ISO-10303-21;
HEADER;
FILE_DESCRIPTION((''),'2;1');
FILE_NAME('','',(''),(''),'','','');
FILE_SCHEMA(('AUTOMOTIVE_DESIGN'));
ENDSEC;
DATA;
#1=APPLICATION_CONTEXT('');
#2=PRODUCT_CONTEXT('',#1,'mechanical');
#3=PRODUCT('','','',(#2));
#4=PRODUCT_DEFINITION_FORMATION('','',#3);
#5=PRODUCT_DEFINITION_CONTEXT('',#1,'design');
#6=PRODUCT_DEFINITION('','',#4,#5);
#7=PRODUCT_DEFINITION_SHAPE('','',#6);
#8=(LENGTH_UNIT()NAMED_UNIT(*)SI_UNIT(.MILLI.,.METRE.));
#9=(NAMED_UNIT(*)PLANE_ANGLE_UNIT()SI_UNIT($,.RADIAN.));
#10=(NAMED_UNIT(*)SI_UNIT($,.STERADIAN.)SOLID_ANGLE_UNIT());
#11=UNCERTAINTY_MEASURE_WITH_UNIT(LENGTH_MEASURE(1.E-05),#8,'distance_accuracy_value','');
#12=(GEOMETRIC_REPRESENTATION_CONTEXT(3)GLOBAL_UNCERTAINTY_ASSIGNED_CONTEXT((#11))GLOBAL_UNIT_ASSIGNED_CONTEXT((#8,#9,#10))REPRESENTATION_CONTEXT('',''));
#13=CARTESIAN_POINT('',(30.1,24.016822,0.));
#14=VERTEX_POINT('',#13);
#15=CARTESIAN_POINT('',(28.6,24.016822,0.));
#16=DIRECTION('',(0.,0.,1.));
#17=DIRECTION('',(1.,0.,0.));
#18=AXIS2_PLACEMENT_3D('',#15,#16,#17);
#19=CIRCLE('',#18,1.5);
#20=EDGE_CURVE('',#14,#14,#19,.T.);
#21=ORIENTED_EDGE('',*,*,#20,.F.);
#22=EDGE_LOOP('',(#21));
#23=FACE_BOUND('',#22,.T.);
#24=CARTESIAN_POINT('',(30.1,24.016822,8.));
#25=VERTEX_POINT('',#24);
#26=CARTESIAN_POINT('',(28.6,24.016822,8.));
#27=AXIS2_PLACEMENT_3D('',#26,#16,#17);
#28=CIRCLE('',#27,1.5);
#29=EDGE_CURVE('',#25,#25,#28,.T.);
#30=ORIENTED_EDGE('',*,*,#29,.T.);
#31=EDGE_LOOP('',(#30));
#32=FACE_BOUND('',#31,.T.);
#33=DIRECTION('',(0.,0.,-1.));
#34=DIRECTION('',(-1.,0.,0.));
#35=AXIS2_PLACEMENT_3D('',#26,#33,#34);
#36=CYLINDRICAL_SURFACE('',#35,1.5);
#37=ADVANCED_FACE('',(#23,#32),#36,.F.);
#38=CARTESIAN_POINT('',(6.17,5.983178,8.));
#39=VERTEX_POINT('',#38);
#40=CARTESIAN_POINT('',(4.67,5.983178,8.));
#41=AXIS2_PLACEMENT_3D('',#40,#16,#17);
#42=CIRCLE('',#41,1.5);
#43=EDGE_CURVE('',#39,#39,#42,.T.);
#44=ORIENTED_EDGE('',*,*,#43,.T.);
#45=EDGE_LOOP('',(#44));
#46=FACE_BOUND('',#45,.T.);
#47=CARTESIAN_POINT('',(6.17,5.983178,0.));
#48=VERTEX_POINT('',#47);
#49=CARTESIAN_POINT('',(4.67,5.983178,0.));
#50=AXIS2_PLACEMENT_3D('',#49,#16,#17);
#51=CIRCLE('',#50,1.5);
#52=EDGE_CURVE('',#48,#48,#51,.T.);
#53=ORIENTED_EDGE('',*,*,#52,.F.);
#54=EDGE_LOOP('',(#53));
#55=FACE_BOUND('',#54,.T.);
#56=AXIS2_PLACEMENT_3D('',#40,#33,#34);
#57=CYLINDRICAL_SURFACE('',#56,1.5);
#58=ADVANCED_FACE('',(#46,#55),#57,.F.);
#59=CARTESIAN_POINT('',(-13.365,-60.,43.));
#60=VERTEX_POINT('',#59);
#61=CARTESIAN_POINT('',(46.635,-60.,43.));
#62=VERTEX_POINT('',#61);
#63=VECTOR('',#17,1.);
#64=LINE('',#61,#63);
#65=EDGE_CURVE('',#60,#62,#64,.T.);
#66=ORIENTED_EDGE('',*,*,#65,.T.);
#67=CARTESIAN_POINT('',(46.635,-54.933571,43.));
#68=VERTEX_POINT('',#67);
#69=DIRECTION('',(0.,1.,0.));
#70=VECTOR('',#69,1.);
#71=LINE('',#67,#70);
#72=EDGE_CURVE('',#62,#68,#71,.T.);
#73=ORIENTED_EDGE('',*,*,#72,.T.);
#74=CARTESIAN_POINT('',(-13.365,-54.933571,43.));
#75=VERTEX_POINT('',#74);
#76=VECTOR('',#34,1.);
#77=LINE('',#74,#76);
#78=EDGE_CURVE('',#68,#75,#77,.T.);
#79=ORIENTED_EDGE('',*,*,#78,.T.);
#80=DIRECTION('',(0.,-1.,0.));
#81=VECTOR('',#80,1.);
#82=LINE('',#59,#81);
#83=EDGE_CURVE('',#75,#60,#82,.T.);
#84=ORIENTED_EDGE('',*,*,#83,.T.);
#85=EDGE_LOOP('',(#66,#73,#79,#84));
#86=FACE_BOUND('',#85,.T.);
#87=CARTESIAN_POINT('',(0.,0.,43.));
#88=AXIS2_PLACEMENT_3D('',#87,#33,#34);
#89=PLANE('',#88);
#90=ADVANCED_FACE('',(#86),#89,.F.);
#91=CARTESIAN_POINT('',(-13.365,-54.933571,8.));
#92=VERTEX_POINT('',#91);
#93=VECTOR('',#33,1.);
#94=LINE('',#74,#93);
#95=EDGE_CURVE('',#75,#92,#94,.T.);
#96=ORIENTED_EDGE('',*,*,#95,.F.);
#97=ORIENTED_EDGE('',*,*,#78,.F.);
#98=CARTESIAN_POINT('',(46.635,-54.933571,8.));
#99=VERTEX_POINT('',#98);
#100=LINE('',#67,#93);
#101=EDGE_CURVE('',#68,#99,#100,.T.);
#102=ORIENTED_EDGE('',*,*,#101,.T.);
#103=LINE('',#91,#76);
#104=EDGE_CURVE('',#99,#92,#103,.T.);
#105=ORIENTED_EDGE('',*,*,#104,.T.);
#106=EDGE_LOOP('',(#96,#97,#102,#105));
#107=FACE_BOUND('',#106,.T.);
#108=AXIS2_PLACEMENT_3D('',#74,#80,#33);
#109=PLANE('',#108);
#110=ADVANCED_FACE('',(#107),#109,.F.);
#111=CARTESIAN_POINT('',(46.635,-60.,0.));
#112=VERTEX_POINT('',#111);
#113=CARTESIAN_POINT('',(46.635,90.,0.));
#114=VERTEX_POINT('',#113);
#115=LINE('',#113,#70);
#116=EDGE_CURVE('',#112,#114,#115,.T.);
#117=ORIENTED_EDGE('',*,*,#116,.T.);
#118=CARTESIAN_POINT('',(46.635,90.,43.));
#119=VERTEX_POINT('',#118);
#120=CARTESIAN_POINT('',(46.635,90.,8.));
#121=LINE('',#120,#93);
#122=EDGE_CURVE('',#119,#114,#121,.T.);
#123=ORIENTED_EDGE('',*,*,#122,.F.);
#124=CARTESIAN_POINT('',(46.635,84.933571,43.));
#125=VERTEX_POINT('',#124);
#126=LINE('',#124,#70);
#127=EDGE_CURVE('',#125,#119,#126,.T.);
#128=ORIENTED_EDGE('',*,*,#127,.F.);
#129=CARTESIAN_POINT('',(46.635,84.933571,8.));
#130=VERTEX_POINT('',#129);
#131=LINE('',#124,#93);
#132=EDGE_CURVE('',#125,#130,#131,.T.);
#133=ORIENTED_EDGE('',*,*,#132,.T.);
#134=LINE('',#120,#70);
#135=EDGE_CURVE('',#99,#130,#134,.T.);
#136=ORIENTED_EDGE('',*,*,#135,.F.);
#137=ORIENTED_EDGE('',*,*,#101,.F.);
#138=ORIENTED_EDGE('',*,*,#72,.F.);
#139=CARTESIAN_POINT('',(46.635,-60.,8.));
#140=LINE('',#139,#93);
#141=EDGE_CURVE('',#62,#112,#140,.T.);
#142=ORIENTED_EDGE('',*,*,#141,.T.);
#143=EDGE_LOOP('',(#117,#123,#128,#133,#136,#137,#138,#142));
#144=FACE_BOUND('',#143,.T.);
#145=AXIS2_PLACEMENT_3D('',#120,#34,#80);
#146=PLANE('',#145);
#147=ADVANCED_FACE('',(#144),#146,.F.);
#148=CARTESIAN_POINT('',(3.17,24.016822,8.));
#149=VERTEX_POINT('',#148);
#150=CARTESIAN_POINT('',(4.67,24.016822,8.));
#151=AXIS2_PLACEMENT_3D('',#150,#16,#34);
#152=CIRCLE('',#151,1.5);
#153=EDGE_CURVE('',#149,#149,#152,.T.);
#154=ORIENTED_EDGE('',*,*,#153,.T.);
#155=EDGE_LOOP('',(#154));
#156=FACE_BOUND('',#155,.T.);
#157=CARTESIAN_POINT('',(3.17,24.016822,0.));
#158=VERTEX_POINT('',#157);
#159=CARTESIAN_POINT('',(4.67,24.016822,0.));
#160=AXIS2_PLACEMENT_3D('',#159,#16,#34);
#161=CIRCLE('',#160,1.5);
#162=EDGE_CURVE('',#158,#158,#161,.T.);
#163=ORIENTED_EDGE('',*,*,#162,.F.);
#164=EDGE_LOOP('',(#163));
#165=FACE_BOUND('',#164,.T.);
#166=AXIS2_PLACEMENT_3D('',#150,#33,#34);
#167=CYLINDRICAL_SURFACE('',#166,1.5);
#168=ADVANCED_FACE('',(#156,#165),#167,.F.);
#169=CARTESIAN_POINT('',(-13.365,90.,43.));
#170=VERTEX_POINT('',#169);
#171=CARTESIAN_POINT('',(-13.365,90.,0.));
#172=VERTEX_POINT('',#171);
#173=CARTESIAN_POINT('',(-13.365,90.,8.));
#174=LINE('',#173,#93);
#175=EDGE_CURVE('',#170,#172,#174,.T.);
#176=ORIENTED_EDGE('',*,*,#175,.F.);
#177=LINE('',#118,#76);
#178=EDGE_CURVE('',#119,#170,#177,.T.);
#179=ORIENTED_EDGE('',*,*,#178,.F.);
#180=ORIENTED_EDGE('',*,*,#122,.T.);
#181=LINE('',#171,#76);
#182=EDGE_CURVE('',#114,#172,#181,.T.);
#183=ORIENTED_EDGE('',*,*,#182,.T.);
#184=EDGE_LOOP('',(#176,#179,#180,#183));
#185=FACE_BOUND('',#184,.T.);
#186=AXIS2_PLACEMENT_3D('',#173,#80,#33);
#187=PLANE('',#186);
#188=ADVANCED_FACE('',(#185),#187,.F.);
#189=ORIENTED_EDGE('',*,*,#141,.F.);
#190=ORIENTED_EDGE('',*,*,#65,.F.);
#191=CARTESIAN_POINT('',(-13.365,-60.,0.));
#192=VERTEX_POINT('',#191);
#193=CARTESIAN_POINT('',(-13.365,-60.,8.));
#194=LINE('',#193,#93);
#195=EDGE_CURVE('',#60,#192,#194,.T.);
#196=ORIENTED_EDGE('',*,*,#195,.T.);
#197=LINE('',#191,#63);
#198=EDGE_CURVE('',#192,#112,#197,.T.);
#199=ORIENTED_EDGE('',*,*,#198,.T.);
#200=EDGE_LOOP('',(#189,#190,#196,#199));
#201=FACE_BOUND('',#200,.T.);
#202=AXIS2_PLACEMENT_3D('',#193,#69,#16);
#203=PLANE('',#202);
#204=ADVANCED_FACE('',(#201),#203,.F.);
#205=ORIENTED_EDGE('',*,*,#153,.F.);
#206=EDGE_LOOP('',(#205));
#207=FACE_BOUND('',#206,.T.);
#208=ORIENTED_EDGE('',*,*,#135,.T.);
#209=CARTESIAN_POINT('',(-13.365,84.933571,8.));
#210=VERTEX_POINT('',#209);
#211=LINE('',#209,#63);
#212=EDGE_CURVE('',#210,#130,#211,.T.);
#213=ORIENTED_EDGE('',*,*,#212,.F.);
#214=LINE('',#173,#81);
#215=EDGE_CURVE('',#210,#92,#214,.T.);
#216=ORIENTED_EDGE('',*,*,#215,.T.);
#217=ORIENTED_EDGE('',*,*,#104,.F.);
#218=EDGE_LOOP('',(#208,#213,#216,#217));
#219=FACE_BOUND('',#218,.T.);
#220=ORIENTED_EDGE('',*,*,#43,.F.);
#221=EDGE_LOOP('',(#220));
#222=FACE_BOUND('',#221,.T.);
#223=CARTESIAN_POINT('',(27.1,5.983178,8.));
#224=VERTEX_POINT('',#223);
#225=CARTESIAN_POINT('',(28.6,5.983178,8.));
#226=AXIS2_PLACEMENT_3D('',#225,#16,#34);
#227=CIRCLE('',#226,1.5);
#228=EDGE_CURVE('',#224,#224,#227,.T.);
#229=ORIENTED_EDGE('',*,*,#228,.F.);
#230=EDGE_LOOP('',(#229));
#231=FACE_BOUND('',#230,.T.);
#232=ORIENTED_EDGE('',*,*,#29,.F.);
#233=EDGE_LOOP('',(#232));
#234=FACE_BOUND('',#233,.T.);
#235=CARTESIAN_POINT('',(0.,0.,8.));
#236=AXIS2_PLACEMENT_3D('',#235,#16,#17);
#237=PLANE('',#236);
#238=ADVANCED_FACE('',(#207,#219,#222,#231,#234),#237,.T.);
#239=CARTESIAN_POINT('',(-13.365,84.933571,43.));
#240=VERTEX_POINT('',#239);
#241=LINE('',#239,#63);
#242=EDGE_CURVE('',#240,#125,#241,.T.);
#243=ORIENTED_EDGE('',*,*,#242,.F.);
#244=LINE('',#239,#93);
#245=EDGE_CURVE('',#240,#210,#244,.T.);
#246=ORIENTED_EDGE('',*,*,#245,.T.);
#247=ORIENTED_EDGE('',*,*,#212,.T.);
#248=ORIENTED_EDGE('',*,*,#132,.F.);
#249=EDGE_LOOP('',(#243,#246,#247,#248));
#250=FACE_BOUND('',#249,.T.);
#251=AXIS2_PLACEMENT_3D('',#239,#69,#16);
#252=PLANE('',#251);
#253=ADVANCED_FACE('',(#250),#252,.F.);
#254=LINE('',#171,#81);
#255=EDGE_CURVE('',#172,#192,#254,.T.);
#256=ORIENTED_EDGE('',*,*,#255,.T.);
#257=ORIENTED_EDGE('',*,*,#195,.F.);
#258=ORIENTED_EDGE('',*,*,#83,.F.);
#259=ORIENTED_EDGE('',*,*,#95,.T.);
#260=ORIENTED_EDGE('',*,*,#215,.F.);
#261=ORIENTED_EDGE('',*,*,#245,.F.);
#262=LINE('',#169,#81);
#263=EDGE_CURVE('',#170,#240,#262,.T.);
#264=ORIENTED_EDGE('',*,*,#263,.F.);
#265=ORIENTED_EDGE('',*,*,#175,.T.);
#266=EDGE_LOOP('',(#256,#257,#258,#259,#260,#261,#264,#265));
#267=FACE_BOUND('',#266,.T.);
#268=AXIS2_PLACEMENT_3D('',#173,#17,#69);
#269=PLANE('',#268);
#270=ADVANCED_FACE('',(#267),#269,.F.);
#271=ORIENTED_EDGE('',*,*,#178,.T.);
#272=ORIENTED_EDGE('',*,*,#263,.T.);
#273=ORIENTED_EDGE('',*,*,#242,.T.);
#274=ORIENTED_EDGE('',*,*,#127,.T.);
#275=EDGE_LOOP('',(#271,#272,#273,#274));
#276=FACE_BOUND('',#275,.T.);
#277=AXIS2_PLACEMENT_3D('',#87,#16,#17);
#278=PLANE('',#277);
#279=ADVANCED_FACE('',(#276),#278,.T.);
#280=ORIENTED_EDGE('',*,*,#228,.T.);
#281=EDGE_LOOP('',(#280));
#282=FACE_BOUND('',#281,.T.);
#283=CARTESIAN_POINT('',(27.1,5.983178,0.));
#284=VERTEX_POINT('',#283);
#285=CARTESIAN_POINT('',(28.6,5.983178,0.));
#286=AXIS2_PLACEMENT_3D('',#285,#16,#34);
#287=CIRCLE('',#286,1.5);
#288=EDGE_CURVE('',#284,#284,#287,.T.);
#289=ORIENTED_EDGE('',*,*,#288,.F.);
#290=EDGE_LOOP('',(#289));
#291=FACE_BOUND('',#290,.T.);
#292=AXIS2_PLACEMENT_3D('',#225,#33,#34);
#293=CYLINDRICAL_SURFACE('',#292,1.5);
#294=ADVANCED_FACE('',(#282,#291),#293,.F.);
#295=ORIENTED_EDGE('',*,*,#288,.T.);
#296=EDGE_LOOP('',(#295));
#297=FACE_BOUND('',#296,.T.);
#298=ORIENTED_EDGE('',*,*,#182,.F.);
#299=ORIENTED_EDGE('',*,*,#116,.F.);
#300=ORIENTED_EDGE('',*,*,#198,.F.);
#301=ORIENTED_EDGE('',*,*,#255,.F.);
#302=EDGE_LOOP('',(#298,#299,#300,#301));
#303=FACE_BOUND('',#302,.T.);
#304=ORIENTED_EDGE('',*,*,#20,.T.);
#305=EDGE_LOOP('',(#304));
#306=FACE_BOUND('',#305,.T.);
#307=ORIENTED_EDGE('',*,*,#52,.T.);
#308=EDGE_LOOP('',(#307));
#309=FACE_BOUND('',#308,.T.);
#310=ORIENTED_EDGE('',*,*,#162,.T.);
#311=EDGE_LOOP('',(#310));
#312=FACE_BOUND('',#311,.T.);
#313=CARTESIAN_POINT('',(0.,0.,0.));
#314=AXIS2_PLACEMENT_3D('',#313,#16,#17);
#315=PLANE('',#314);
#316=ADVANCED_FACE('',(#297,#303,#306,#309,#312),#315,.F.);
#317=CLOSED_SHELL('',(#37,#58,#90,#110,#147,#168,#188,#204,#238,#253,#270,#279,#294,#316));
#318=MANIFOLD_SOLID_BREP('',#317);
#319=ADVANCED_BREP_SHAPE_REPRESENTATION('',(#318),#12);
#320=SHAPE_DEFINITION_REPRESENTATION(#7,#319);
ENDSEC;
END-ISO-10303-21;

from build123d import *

# Parameters (mm, degrees)
SKETCH2_W           = 60
SKETCH2_H           = 150
SKETCH2_R           = 1.5
BOSS_EXTRUDE1_DEPTH = 8
SKETCH5_W           = 60
SKETCH5_H           = 5.066428815
BOSS_EXTRUDE2_DEPTH = 35


with BuildPart() as part:
    # Sketch2 → Boss-Extrude1 (new body)
    with BuildSketch(Plane.XY):
        with Locations((16.635, 15)):
            Rectangle(SKETCH2_W, SKETCH2_H)
        with Locations((28.6, 24.016821687)):
            Circle(SKETCH2_R, mode=Mode.SUBTRACT)
        with Locations(Location((28.6, 5.983178313, 0), (0, 0, 180))):
            Circle(SKETCH2_R, mode=Mode.SUBTRACT)
        with Locations((4.67, 5.983178313)):
            Circle(SKETCH2_R, mode=Mode.SUBTRACT)
        with Locations(Location((4.67, 24.016821687, 0), (0, 0, 180))):
            Circle(SKETCH2_R, mode=Mode.SUBTRACT)
    extrude(amount=BOSS_EXTRUDE1_DEPTH)

    # Sketch5 → Boss-Extrude2 (add)
    with BuildSketch(Plane.XY.offset(8)):
        with Locations((16.635, 87.466785593)):
            Rectangle(SKETCH5_W, SKETCH5_H)
        with Locations((16.635, -57.466785593)):
            Rectangle(SKETCH5_W, SKETCH5_H)
    extrude(amount=BOSS_EXTRUDE2_DEPTH)


solid = part.part
